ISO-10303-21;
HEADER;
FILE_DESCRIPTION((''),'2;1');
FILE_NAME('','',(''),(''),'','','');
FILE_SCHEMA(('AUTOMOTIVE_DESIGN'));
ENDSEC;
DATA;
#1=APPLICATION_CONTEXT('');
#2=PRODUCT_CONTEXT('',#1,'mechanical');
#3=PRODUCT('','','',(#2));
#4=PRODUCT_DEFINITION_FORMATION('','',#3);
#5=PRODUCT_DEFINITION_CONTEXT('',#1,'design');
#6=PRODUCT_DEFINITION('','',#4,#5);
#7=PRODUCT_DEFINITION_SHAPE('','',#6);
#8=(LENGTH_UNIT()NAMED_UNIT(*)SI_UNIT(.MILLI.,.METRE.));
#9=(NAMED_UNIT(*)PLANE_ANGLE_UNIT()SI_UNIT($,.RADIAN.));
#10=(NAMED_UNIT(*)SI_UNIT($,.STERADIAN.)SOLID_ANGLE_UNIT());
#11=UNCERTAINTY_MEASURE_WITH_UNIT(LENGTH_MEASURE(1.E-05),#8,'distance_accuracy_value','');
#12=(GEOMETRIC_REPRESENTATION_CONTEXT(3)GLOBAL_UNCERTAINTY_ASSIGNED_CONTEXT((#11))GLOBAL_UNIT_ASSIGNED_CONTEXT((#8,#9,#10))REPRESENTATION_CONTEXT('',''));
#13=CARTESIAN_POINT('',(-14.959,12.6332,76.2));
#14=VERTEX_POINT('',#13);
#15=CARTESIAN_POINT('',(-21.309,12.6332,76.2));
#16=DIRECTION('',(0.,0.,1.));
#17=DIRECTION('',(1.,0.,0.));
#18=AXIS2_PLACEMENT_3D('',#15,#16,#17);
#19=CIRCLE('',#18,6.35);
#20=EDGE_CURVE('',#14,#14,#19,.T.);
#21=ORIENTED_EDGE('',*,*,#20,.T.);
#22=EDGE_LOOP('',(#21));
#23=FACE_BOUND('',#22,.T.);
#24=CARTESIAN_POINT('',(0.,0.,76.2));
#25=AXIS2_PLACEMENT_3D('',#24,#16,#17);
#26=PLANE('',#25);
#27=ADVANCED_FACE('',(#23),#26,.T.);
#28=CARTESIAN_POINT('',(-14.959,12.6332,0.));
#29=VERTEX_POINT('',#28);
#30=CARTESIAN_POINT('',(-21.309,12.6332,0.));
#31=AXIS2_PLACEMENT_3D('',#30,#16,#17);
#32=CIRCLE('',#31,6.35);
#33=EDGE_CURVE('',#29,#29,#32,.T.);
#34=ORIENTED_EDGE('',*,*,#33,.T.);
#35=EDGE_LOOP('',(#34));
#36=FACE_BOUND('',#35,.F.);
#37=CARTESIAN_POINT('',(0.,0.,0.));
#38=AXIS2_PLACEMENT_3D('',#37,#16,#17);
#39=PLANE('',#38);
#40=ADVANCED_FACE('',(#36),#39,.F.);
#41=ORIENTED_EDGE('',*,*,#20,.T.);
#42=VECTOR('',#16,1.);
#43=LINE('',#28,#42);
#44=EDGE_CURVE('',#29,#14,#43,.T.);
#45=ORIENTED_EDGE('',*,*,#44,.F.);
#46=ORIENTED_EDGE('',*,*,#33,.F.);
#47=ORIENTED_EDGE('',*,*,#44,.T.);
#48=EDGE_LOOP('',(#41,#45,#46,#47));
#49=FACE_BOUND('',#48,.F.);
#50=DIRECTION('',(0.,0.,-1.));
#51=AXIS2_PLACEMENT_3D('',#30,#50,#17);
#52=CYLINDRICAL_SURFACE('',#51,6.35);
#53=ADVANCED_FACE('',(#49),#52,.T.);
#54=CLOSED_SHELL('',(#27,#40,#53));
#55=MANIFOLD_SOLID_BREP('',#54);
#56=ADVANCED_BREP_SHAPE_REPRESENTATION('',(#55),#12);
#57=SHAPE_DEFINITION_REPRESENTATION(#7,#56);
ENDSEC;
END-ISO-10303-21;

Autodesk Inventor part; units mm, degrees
ref_plane "YZ Plane" through (0, 0, 0) normal (1, 0, 0) x (0, 1, 0)
ref_plane "XZ Plane" through (0, 0, 0) normal (0, 1, 0) x (-1, 0, 0)
ref_plane "XY Plane" through (0, 0, 0) normal (0, 0, 1) x (1, 0, 0)
sketch "Sketch1" plane through (0, 0, 0) normal (0, 0, 1) x (1, 0, 0)
  circle A0 centre (-21.309, 12.6332) radius 6.35
  dimension "d0" = 12.7
  dimension "d0" = 12.7
extrude "Extrusion1" add sketch "Sketch1" along normal blind 76.2
properties part number "FE-00003-02"
